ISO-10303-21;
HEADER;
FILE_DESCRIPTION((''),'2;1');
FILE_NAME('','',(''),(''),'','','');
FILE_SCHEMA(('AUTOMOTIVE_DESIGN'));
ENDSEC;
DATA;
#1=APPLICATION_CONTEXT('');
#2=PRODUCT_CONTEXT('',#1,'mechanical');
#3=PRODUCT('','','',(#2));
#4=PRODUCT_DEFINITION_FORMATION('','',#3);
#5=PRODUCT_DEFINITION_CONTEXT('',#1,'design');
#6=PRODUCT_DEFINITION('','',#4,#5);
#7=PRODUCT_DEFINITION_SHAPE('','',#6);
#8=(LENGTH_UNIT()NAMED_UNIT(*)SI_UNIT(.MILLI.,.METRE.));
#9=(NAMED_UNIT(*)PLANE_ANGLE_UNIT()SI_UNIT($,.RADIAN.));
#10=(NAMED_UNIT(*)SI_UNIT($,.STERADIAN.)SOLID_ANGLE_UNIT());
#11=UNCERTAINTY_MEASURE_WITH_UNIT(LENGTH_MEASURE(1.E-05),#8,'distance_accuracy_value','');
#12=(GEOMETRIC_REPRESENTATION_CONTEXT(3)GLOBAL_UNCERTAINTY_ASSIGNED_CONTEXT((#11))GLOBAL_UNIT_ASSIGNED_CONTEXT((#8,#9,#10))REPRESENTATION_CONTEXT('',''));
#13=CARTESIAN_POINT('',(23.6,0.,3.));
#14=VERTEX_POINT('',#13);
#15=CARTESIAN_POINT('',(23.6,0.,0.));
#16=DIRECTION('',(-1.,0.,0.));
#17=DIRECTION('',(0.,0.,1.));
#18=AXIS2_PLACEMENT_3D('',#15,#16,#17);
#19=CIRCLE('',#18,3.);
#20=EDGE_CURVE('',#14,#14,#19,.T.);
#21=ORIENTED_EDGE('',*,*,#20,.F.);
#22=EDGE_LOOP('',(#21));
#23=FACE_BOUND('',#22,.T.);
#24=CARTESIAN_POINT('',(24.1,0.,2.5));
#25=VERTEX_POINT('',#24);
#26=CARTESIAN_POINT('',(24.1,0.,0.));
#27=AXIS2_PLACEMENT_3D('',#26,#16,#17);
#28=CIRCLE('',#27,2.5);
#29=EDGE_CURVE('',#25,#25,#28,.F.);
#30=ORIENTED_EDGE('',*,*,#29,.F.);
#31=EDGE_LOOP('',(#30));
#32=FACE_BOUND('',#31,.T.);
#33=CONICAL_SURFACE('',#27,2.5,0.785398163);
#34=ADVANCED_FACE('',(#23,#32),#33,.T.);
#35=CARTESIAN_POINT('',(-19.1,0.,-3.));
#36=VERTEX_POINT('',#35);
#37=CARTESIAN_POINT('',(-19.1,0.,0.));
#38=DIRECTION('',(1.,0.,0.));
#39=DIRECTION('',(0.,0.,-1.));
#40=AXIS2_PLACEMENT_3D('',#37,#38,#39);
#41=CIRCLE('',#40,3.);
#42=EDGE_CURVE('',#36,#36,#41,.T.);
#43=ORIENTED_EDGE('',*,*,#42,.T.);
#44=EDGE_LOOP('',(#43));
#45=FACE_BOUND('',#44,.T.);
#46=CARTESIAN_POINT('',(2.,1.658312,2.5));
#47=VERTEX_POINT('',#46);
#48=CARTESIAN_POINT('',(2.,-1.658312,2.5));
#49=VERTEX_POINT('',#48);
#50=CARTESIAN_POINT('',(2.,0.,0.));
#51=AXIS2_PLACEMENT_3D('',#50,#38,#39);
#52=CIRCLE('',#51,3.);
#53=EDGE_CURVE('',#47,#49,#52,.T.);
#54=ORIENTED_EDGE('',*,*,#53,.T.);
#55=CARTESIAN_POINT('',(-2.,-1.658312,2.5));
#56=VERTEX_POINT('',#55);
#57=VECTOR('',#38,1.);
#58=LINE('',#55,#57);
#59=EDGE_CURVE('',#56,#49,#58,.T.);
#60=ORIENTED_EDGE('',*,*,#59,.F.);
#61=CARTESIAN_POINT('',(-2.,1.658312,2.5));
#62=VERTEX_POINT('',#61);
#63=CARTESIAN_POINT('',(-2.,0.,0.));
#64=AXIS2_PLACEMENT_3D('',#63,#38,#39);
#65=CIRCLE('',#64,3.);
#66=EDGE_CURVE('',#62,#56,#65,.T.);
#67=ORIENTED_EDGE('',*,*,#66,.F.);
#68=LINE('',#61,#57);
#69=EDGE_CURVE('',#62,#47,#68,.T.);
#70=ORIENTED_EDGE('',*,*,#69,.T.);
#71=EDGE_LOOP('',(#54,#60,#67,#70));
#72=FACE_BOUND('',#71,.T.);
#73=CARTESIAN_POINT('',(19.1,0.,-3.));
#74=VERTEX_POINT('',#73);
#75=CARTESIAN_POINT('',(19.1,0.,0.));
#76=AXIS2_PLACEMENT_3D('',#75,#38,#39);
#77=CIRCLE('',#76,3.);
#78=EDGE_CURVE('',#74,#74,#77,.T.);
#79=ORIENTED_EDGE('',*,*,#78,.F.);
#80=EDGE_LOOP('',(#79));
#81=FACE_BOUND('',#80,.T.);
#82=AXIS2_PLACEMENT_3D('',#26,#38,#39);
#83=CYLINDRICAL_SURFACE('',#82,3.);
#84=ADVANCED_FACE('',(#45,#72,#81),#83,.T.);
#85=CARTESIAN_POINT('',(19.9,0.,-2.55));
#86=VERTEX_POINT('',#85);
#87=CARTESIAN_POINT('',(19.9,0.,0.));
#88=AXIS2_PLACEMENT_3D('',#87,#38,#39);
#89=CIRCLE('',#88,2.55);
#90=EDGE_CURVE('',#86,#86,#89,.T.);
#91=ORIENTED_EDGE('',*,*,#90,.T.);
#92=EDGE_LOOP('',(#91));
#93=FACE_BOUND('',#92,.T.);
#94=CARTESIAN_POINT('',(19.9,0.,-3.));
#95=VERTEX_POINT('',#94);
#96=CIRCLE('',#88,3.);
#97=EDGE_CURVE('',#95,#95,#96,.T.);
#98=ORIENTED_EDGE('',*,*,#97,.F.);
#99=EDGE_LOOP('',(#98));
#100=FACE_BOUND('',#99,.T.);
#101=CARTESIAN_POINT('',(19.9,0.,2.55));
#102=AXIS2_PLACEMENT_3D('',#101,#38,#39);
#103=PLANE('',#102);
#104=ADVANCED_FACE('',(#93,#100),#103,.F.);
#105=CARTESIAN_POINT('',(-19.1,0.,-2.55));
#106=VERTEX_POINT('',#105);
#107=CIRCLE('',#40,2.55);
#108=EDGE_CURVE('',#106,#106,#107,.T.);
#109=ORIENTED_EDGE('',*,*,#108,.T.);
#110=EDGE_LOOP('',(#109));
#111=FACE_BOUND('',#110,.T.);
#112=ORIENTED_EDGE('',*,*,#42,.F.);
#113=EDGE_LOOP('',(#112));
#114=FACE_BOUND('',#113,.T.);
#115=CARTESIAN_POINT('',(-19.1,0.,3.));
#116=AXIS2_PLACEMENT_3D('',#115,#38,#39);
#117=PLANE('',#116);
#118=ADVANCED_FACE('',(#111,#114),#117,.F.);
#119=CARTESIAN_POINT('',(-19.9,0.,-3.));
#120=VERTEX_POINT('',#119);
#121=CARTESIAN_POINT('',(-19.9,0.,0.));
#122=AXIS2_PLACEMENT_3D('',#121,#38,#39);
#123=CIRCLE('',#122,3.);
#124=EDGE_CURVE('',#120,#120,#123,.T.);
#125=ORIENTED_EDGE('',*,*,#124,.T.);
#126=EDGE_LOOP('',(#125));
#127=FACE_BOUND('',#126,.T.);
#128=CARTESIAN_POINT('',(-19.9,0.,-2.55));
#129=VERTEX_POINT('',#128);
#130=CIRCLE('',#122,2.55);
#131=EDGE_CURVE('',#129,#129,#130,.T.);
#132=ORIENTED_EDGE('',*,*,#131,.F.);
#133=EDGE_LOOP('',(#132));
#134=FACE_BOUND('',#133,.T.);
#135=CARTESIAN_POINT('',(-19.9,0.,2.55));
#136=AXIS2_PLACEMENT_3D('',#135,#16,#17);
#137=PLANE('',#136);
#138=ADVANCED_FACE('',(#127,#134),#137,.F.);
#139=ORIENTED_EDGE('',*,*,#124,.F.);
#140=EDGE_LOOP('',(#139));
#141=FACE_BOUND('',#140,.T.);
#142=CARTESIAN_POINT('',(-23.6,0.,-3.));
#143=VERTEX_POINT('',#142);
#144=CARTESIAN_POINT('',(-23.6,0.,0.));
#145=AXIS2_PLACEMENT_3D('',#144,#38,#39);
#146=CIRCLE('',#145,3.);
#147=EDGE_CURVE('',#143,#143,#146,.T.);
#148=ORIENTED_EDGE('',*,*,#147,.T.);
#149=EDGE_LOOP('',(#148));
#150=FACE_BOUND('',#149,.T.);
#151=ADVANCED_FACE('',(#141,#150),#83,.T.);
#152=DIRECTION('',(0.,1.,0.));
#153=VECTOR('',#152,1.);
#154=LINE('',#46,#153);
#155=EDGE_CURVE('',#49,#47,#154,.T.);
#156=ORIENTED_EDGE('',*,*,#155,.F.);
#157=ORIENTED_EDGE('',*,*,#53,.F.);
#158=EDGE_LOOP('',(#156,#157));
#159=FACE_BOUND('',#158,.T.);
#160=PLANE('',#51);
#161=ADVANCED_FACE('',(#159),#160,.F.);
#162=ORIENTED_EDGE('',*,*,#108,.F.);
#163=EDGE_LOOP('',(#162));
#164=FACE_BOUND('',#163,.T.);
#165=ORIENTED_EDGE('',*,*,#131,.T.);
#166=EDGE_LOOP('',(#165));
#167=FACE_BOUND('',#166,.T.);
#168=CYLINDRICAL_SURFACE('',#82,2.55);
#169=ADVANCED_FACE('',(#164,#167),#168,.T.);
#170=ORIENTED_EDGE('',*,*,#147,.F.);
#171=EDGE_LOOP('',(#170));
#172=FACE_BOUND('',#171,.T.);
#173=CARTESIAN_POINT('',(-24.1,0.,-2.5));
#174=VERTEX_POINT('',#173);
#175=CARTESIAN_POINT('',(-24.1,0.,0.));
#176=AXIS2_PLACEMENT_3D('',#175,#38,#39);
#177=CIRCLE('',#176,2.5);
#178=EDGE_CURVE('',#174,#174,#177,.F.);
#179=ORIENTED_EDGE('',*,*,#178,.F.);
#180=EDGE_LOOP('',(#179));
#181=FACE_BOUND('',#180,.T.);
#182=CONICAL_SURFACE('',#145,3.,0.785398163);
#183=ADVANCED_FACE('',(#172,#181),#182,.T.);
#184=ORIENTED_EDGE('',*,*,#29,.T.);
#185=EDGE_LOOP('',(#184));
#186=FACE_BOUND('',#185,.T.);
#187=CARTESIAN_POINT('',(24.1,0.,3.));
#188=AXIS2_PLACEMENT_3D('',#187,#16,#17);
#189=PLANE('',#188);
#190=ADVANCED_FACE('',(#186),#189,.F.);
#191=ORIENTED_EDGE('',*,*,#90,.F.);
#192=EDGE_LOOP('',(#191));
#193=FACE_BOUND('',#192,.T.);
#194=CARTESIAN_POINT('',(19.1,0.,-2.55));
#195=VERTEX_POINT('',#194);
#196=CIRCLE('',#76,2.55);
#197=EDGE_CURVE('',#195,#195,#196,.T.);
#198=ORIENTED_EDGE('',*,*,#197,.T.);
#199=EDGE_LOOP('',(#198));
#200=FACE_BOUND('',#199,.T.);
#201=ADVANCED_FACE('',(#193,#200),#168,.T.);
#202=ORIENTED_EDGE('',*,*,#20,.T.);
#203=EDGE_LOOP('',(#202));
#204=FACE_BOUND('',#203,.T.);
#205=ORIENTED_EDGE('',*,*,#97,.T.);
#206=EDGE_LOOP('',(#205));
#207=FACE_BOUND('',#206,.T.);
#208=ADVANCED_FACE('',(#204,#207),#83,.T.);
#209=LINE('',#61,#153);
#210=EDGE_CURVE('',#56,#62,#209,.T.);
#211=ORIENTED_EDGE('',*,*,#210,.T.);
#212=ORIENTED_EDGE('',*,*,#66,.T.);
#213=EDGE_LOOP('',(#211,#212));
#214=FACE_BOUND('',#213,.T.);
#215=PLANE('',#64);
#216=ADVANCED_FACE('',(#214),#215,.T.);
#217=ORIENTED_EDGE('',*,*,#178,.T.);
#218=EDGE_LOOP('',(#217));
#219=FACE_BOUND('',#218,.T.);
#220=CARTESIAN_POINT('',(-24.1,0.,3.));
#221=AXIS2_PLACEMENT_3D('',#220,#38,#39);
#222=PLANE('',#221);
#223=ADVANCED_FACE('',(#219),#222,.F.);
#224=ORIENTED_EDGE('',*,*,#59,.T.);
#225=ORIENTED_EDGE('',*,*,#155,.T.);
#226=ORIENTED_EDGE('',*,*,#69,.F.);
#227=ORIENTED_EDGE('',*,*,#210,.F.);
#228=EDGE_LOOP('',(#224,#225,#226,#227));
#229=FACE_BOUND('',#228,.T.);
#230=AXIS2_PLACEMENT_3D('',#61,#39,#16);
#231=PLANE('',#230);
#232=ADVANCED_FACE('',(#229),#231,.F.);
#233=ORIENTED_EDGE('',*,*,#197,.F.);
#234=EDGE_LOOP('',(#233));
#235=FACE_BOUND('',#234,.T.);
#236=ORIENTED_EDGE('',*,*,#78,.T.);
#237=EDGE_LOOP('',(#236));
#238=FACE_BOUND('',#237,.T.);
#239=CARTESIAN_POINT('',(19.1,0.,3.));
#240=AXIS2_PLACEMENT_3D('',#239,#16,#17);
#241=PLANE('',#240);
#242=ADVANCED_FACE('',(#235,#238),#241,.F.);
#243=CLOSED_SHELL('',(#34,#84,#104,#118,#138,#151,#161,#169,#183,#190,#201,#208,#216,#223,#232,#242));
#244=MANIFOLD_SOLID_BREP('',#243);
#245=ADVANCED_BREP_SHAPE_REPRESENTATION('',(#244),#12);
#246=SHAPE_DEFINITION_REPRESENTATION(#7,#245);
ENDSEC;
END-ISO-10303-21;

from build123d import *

# Parameters (mm, degrees)
CORTAR_EXTRUIR1_DEPTH = 2
CHAFL_N1_SIZE         = 0.5


with BuildPart() as part:
    # Croquis1 → Revolución1 (revolve)
    with BuildSketch(Plane(origin=(0, 0, 0), x_dir=(-1, 0, 0), z_dir=(0, 1, 0)), mode=Mode.PRIVATE) as revoluci_n1_sk:
        Polygon((-19.1, 3), (19.1, 3), (19.1, 2.55), (19.9, 2.55), (19.9, 3), (24.1, 3), (24.1, 0), (-24.1, 0), (-24.1, 3), (-19.9, 3), (-19.9, 2.55), (-19.1, 2.55), align=None)
    revolve(revoluci_n1_sk.sketch.rotate(Axis((24.1, 0, 0), (-1, 0, 0)), 180), axis=Axis((24.1, 0, 0), (-1, 0, 0)))

    # Croquis2 → Cortar-Extruir1 (cut, symmetric)
    with BuildSketch(Plane.YZ):
        with BuildLine():
            Line((1.658312395, 2.5), (-1.658312395, 2.5))
            ThreePointArc((-1.658312395, 2.5), (0, 3), (1.658312395, 2.5))
        make_face()
    extrude(amount=CORTAR_EXTRUIR1_DEPTH, both=True, mode=Mode.SUBTRACT)

    # Chaflán1
    chafl_n1_edges = [part.edges().sort_by_distance(p)[0] for p in [
        (-24.1, 0, 3),
        (24.1, 0, 3),
    ]]
    chamfer(chafl_n1_edges, length=CHAFL_N1_SIZE)


solid = part.part
